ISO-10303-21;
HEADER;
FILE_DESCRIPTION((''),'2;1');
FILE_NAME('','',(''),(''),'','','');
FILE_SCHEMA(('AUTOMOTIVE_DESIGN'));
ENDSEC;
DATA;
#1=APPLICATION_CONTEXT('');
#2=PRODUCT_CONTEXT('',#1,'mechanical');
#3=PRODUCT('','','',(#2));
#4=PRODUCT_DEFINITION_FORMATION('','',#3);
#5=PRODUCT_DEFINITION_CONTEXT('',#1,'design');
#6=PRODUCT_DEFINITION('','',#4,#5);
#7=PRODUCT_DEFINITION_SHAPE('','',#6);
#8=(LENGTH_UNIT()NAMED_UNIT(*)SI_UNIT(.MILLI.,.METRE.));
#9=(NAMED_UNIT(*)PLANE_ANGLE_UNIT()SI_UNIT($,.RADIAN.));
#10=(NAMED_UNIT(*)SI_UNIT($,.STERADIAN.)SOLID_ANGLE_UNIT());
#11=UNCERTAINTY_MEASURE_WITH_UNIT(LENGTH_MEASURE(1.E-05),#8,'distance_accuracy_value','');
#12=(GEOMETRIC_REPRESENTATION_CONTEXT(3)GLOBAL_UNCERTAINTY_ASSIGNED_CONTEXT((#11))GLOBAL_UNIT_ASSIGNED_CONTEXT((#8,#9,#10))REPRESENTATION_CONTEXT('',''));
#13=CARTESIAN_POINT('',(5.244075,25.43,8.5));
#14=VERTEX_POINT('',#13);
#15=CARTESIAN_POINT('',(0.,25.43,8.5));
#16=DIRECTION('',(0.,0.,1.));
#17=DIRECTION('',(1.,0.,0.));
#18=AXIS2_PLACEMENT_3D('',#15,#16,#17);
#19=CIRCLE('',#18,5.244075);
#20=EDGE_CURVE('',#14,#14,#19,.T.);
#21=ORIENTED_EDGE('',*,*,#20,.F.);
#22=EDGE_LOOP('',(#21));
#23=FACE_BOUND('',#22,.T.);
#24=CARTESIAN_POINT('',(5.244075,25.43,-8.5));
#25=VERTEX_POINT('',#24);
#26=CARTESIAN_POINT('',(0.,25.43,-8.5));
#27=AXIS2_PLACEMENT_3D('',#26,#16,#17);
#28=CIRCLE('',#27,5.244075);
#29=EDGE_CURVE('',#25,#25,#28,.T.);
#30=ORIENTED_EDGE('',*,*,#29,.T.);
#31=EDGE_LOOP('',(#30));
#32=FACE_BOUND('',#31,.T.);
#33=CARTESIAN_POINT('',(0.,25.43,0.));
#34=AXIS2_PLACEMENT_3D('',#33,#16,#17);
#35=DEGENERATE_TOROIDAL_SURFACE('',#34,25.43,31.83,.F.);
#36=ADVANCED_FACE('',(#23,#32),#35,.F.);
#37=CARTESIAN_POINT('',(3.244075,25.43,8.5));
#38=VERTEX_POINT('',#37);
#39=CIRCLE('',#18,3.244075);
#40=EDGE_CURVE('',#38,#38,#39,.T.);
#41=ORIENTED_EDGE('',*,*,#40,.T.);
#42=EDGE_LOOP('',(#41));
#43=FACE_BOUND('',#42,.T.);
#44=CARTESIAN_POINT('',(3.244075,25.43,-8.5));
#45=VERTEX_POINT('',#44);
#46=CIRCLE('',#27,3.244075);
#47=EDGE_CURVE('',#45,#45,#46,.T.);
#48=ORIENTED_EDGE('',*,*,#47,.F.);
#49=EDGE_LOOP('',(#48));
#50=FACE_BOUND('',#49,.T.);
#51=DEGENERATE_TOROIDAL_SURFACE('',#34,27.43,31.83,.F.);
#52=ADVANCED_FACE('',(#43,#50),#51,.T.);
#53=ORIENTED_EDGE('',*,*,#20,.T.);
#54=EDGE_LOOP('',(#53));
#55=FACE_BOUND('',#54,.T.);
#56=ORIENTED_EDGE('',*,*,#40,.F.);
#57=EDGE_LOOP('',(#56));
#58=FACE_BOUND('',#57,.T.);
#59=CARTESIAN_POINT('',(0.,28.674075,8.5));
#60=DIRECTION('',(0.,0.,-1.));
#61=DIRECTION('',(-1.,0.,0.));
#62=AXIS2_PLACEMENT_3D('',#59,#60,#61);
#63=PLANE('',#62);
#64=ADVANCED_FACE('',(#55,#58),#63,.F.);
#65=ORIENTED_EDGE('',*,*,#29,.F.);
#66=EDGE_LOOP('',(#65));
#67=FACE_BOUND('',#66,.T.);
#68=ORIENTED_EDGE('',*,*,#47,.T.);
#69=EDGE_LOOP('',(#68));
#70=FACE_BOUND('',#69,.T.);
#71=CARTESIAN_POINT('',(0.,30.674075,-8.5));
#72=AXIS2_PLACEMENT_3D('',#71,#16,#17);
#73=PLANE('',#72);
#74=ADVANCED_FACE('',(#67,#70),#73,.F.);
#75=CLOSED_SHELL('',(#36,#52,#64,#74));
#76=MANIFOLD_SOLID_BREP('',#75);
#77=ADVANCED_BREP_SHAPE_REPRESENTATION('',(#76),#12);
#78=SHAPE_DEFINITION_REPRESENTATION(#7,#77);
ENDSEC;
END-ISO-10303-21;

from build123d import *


with BuildPart() as part:
    # Sketch1 → Revolve1 (revolve)
    with BuildSketch(Plane(origin=(0, 0, 0), x_dir=(0, 0, -1), z_dir=(1, 0, 0)), mode=Mode.PRIVATE) as revolve1_sk:
        with BuildLine():
            Line((-8.5, 28.674075373), (-8.5, 30.674075373))
            ThreePointArc((-8.5, 30.674075373), (0, 31.83), (8.5, 30.674075373))
            Line((8.5, 30.674075373), (8.5, 28.674075373))
            ThreePointArc((8.5, 28.674075373), (0, 29.83), (-8.5, 28.674075373))
        make_face()
    revolve(revolve1_sk.sketch.rotate(Axis((0, 25.43, 0), (0, 0, -1)), 90), axis=Axis((0, 25.43, 0), (0, 0, -1)))


solid = part.part
